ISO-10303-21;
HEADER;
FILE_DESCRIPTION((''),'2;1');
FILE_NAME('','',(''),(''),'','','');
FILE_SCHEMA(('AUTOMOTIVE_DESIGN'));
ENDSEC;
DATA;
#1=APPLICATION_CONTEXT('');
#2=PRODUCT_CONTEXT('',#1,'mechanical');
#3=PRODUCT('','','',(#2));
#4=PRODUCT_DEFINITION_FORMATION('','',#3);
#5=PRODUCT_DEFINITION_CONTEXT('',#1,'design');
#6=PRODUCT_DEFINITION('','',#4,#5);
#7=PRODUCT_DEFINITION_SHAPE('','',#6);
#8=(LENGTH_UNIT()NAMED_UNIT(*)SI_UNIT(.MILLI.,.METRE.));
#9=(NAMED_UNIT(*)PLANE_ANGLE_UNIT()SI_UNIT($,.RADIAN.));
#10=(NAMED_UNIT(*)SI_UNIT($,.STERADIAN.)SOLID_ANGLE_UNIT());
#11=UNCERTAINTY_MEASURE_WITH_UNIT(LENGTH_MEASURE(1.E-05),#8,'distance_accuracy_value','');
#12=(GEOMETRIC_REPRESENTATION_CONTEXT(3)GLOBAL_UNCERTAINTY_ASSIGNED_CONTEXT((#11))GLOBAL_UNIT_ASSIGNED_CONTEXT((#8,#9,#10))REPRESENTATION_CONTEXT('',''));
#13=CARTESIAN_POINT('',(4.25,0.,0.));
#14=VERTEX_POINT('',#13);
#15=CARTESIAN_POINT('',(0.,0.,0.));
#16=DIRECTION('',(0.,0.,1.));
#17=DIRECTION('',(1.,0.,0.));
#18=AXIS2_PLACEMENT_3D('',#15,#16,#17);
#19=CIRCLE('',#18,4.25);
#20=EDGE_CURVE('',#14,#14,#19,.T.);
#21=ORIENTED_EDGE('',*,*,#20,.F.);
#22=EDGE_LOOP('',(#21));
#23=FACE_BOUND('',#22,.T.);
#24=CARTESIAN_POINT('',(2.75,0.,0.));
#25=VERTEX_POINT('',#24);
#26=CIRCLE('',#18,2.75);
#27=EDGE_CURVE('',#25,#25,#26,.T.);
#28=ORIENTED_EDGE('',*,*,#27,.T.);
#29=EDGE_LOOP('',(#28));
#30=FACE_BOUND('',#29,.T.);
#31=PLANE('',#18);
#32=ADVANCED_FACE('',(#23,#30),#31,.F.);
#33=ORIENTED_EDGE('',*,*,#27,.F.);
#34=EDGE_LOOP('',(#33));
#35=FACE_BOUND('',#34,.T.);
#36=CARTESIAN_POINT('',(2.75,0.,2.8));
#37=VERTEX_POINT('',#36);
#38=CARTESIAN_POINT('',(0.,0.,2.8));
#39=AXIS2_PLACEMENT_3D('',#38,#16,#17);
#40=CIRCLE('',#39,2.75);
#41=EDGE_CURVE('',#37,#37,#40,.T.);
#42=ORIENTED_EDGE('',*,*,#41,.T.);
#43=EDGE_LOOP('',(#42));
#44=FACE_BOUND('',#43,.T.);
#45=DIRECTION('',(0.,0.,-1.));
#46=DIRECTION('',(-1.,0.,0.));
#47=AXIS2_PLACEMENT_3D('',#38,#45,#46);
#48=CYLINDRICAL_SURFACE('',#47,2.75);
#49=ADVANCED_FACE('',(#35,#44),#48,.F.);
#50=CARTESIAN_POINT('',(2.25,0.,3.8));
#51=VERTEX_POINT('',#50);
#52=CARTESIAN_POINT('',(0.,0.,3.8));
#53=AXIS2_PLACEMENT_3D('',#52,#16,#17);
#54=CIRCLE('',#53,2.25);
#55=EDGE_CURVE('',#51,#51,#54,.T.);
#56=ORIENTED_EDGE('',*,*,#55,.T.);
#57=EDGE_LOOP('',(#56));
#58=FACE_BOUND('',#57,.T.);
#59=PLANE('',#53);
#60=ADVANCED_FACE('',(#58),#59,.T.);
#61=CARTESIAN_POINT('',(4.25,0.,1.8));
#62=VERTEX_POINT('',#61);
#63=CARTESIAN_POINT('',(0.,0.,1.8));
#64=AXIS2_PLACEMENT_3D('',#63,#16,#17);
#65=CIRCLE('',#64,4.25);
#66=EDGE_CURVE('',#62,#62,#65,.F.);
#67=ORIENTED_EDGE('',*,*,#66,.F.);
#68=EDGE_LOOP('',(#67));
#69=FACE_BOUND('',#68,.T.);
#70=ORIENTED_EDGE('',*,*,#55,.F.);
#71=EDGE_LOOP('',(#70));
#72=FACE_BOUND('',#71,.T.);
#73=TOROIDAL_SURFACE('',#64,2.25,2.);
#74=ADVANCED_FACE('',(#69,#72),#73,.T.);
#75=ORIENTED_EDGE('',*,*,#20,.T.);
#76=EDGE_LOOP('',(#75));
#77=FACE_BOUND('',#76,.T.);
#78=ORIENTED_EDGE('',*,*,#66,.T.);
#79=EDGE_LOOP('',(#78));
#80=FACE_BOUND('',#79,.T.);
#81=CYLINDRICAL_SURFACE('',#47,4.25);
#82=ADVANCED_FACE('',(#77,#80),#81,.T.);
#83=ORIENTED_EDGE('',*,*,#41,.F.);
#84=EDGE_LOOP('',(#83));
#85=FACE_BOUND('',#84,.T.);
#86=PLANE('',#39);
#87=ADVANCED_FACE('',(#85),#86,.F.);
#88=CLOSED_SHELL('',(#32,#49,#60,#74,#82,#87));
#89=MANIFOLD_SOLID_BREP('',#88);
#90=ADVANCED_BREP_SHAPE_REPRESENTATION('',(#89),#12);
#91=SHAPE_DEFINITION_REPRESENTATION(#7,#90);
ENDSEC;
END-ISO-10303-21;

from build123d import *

# Parameters (mm, degrees)
SCHIZZO1_R                   = 4.25
SCHIZZO1_R_2                 = 2.75
ESTRUSIONE_ESTRUSIONE1_DEPTH = 2.8
SCHIZZO2_R                   = 4.25
ESTRUSIONE_ESTRUSIONE2_DEPTH = 1
RACCORDO1_R                  = 2


with BuildPart() as part:
    # Schizzo1 → Estrusione-Estrusione1 (new body)
    with BuildSketch(Plane.XY):
        Circle(SCHIZZO1_R)
        Circle(SCHIZZO1_R_2, mode=Mode.SUBTRACT)
    extrude(amount=ESTRUSIONE_ESTRUSIONE1_DEPTH)

    # Schizzo2 → Estrusione-Estrusione2 (add)
    with BuildSketch(Plane.XY.offset(2.8)):
        Circle(SCHIZZO2_R)
    extrude(amount=ESTRUSIONE_ESTRUSIONE2_DEPTH)

    # Raccordo1
    raccordo1_edges = [part.edges().sort_by_distance(p)[0] for p in [
        (-4.25, 0, 3.8),
    ]]
    fillet(raccordo1_edges, radius=RACCORDO1_R)


solid = part.part
